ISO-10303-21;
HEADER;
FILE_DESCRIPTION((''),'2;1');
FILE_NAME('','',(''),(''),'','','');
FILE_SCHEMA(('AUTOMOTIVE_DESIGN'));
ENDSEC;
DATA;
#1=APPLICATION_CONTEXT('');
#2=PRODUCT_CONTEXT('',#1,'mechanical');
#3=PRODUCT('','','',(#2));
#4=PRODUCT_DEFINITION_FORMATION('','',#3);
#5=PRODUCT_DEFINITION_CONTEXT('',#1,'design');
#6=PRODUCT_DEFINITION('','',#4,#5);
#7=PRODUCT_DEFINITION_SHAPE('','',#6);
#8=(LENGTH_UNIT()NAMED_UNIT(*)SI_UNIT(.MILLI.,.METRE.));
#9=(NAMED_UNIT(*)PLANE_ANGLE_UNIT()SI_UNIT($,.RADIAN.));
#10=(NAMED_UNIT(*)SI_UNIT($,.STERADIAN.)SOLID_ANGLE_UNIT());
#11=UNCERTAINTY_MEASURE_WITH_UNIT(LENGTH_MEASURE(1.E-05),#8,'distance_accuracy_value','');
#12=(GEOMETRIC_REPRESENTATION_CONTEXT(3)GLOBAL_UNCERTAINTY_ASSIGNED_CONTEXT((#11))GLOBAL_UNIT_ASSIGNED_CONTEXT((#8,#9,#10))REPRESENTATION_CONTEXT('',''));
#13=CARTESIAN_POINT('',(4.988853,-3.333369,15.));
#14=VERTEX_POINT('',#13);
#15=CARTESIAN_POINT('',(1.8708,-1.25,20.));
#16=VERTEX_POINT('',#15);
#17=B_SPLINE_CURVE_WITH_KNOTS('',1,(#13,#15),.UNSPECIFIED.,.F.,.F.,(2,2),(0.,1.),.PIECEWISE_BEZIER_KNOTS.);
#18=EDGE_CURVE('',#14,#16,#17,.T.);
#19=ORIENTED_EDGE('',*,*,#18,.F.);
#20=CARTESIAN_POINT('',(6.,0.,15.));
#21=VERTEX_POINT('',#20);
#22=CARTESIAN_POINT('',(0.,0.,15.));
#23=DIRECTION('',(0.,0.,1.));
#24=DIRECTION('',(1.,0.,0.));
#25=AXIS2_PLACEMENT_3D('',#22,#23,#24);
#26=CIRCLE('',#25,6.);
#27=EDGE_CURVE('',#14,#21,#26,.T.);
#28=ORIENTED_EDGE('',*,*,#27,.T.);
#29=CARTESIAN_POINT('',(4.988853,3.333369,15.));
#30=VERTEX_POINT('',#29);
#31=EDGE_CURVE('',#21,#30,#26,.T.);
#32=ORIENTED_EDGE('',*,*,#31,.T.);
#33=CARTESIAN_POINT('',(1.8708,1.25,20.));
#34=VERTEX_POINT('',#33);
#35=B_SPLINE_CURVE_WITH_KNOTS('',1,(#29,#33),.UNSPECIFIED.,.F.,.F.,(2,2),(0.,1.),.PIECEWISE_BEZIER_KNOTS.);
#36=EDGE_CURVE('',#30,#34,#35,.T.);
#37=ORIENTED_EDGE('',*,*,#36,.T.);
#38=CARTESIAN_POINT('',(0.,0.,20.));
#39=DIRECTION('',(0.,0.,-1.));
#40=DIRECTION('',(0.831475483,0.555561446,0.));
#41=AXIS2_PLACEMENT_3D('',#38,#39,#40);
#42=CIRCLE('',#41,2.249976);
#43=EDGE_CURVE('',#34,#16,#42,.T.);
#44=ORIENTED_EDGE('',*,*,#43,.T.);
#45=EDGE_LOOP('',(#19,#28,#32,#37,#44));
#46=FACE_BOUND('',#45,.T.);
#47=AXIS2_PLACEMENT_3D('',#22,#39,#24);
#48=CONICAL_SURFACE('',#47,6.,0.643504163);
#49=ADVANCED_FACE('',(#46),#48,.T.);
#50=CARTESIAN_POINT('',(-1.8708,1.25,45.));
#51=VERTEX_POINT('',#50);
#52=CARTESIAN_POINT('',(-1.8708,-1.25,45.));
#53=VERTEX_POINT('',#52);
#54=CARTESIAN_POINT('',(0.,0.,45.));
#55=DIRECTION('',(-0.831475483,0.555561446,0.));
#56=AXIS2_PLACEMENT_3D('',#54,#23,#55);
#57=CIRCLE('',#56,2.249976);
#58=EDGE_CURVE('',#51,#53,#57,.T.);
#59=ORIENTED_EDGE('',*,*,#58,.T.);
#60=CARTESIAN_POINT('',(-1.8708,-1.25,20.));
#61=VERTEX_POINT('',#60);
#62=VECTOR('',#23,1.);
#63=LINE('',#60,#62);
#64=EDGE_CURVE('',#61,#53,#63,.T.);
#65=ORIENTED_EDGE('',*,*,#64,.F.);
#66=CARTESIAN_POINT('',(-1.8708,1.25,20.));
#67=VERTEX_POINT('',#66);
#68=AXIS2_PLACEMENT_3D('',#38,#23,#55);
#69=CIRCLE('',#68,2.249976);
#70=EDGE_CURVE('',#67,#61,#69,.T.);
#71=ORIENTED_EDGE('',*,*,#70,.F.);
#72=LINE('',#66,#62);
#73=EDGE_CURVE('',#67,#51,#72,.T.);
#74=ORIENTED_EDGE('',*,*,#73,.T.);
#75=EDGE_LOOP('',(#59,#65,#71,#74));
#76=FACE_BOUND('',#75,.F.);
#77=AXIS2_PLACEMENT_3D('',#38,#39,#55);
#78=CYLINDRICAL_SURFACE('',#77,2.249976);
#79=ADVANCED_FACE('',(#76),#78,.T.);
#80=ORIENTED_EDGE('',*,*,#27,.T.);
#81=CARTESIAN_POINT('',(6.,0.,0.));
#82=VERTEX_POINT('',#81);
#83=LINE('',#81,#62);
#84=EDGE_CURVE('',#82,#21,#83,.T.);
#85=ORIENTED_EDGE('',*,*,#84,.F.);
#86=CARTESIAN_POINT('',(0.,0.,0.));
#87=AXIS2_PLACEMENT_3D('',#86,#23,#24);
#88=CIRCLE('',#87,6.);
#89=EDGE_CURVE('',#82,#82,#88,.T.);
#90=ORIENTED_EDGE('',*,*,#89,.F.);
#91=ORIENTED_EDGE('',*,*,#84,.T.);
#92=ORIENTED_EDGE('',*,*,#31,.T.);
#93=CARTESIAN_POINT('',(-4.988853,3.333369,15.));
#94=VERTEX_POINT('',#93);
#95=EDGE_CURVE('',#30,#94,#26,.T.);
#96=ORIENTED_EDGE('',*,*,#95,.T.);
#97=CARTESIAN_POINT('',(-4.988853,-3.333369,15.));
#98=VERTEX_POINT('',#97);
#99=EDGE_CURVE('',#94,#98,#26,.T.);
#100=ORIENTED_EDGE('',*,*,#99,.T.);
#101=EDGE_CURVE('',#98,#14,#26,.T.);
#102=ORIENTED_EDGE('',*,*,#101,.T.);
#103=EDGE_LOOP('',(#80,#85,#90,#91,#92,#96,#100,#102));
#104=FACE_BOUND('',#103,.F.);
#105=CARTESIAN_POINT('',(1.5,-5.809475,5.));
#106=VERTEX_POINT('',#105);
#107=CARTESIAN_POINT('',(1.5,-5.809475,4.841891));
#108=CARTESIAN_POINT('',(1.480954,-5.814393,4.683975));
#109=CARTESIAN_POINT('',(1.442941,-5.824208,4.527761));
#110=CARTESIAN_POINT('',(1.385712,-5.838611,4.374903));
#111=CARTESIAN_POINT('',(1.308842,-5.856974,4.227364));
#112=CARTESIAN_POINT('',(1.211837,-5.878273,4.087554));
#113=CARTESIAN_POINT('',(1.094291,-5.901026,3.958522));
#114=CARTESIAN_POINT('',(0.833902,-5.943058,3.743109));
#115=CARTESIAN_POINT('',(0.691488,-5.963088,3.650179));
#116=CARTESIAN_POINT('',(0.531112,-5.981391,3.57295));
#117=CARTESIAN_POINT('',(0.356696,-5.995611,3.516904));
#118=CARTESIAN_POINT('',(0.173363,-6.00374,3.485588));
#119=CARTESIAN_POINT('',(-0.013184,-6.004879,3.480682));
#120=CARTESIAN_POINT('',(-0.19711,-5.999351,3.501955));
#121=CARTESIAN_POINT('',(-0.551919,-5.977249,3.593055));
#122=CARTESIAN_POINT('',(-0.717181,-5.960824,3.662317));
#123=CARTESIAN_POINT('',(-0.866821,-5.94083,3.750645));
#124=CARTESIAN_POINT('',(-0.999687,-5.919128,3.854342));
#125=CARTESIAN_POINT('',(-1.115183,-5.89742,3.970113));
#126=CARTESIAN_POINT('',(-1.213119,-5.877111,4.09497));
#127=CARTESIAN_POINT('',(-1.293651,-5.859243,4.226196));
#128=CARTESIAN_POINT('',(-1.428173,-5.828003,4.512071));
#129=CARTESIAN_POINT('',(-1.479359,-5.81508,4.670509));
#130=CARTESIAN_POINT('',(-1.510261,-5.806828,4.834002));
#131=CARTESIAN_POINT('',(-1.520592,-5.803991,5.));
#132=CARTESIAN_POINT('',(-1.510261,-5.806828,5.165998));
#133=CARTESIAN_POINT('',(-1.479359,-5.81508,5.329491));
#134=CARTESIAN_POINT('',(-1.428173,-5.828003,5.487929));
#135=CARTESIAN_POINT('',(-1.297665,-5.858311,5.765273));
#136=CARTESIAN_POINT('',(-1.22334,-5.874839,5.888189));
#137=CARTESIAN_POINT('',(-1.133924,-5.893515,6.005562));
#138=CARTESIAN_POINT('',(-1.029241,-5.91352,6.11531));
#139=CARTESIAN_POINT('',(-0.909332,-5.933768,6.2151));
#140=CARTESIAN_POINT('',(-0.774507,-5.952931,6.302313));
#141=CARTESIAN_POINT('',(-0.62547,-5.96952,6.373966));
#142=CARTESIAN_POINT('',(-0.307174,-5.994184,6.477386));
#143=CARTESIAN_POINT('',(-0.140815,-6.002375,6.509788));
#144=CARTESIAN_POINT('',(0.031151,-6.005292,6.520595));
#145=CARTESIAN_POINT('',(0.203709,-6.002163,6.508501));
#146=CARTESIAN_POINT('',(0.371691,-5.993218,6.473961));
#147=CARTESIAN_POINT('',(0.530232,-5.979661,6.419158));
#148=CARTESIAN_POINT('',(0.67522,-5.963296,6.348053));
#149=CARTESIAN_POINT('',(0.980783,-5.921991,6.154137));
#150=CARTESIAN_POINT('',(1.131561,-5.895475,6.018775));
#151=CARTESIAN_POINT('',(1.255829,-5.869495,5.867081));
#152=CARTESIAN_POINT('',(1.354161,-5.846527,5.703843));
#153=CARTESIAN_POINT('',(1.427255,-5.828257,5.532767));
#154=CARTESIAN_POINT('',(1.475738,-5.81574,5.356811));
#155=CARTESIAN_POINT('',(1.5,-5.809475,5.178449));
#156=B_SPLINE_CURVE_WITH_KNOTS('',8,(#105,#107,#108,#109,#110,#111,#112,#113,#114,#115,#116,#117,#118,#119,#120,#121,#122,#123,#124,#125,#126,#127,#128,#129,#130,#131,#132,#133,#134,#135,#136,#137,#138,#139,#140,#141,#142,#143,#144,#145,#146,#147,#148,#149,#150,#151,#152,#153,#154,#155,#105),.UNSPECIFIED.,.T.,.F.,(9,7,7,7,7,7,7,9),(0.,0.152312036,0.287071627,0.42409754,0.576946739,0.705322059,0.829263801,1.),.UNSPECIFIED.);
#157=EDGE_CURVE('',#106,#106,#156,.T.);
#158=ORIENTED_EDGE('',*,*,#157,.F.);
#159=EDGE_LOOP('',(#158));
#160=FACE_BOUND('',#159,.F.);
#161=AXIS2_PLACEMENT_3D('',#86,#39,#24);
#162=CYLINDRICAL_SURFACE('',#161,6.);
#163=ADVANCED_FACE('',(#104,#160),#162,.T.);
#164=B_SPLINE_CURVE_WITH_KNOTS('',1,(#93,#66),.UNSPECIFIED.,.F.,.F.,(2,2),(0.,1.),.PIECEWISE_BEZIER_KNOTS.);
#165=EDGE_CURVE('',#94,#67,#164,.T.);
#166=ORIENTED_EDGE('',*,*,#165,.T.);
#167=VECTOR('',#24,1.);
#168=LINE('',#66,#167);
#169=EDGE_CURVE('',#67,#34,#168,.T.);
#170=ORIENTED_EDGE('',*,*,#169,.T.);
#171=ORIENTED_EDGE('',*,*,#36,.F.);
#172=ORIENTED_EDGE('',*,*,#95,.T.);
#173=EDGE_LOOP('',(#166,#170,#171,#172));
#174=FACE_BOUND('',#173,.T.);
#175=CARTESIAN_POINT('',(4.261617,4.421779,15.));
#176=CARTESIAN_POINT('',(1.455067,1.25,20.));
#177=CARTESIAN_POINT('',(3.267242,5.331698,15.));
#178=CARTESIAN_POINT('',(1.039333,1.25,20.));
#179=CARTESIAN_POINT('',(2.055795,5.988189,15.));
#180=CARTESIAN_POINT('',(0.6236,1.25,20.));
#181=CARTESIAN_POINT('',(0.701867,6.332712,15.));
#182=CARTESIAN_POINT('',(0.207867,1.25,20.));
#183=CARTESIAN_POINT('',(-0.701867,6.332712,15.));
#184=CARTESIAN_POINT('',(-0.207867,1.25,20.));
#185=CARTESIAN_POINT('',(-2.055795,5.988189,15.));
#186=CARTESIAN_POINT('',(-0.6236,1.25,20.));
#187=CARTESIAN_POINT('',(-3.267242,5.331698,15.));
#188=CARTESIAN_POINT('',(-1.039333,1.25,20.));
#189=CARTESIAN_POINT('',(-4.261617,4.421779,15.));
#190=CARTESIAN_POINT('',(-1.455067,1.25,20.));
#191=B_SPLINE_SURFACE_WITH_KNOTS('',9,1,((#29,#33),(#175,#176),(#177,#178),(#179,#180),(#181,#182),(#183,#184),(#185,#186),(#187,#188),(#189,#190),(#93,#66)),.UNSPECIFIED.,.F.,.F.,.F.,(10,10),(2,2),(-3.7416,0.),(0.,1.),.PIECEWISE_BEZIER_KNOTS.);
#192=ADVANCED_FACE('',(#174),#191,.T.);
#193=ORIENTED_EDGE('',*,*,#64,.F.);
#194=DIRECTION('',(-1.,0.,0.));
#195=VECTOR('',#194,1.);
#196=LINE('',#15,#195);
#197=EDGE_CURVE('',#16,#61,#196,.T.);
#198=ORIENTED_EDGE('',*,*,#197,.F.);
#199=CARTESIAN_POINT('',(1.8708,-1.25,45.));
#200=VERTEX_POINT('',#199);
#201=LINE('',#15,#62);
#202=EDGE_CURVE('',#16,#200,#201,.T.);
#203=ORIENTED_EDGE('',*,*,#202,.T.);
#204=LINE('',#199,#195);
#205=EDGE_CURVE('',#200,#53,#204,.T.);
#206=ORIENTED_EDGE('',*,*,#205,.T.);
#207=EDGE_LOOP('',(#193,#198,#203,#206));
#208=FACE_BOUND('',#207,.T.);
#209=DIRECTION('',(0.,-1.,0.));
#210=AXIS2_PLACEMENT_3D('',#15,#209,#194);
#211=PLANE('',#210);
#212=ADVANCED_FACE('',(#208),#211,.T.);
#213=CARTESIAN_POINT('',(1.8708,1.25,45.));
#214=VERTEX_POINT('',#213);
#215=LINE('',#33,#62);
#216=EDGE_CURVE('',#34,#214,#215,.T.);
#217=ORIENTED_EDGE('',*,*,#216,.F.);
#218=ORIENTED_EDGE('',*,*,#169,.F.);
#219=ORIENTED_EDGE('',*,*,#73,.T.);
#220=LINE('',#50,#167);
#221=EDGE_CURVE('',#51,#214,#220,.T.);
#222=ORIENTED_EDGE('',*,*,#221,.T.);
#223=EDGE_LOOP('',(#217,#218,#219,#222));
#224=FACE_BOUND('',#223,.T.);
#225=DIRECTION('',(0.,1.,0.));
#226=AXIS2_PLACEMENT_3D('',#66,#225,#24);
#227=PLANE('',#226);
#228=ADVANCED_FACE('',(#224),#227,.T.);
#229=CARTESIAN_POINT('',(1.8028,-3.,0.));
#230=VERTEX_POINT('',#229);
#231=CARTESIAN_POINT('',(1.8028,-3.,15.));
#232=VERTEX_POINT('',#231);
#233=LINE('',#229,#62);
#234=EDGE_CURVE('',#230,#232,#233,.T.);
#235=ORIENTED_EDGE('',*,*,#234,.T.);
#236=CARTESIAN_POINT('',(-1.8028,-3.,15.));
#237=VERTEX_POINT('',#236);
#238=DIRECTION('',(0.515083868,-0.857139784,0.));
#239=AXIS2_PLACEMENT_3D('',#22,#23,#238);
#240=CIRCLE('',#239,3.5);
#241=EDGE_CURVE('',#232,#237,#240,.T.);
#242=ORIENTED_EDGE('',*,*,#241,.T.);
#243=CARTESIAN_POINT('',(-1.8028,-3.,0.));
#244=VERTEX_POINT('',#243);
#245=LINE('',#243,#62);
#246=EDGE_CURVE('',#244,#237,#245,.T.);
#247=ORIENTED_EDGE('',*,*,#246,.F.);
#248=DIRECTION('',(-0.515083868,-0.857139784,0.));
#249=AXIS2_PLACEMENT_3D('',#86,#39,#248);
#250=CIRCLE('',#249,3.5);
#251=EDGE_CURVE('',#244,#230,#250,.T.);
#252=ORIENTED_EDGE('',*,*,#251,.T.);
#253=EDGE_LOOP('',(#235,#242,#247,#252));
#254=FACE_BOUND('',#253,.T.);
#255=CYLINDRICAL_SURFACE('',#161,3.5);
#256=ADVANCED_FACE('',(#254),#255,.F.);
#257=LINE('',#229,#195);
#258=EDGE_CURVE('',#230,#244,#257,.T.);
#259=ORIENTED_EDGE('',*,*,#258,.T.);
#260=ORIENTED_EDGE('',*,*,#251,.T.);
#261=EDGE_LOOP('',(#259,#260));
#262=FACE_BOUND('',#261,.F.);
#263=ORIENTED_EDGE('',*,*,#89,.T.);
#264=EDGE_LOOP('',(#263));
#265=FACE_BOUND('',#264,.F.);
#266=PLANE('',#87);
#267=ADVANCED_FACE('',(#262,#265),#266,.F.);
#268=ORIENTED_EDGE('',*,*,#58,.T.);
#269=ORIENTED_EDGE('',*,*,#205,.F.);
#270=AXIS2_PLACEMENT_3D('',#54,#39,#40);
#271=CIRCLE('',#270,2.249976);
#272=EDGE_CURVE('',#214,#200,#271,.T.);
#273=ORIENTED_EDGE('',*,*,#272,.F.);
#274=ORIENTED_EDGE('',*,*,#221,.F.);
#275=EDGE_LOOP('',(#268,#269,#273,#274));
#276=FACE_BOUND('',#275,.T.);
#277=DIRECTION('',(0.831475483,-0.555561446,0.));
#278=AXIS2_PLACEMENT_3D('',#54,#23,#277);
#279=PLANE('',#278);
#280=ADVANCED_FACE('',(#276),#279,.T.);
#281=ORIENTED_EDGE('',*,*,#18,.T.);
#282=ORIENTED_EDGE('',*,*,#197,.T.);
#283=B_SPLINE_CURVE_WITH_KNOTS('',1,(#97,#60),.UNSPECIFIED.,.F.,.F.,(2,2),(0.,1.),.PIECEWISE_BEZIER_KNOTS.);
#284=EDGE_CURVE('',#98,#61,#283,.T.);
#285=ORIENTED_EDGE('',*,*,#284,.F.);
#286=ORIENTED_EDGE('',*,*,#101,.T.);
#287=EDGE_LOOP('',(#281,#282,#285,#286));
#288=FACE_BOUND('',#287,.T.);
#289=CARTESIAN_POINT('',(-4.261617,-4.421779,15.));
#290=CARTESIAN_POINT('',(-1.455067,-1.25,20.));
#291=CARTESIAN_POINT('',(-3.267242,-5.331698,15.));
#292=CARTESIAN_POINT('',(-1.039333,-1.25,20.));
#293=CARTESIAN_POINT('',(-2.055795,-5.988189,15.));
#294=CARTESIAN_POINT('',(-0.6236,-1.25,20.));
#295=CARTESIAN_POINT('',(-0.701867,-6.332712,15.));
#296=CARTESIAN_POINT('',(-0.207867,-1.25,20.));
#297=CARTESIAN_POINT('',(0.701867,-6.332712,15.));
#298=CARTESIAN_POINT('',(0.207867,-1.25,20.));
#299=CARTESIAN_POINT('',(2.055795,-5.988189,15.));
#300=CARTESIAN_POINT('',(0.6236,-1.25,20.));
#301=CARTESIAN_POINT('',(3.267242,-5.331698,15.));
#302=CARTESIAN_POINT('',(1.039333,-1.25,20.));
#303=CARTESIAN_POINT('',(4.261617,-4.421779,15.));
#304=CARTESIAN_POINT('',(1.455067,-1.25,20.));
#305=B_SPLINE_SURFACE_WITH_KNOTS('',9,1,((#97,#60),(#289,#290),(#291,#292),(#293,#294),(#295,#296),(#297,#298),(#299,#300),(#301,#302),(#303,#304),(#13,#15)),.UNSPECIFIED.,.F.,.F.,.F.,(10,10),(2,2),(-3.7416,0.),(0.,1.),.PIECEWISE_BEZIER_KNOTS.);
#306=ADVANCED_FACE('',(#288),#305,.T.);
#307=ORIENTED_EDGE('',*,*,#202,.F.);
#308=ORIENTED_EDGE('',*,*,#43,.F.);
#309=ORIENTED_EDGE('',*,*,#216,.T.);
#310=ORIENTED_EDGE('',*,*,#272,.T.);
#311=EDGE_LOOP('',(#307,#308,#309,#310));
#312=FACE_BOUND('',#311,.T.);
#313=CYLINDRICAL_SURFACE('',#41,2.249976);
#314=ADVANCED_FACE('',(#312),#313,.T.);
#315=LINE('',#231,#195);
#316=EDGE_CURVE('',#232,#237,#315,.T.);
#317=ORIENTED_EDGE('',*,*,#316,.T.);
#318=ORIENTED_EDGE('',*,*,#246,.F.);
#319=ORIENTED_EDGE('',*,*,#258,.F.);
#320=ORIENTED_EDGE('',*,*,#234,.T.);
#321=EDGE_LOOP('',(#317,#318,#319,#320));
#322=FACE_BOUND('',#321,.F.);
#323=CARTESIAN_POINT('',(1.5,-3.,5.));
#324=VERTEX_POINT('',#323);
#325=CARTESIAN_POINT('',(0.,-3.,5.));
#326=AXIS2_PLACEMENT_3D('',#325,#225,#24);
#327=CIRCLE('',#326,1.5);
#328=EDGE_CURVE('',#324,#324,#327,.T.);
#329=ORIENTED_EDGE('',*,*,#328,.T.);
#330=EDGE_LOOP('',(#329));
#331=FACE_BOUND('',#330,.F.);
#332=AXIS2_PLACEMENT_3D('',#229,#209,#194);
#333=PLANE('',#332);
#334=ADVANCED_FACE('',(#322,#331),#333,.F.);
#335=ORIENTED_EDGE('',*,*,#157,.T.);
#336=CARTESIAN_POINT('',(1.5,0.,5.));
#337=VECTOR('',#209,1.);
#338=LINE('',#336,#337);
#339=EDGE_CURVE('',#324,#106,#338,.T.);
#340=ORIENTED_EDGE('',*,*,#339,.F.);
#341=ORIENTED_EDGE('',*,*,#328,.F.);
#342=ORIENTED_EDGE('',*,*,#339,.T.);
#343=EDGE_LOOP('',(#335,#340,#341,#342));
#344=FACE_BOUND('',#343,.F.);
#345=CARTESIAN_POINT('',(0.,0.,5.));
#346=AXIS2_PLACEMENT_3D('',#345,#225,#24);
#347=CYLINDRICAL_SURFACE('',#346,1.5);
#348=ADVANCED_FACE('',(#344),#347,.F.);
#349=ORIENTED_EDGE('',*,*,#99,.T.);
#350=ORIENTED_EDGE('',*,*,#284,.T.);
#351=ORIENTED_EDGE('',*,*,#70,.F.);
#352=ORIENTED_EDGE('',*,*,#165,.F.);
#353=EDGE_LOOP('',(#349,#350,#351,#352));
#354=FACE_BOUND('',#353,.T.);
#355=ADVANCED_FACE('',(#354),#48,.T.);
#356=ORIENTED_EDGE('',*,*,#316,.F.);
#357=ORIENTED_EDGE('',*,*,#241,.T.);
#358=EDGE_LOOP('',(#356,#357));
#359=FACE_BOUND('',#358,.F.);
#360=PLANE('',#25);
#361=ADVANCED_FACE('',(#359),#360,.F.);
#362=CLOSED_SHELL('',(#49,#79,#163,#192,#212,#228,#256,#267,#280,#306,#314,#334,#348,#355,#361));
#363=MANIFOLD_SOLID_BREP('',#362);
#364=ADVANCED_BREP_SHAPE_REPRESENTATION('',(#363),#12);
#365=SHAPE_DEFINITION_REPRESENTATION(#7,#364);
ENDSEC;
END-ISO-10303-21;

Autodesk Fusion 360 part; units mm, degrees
sketch "Esquisse1" plane through (0, 0, 0) normal (0, 0, 1) x (1, 0, 0)
  circle A0 centre (0, 0) radius 3.5
  circle A1 centre (0, 0) radius 6
  line L0 (1.8028, -3) -> (-1.8028, -3)
  line L1 (-1.8028, -3) -> (-1.8028, -3.5)
  line L2 (-1.8028, -3.5) -> (1.8028, -3.5)
  line L3 (1.8028, -3.5) -> (1.8028, -3)
  dimension "d1" = 7
  dimension "d2" = 12
  dimension "d17" = 0.5
extrude "Extrusion1" add sketch "Esquisse1" along normal blind 15 contours A0 L0 | A0 L1 L2 | A0 L2 L3 | A1 picked at (0.4606, -3.0719)
ref_plane "Plan de construction1" through (0, 0, 20) normal (0, 0, 1) x (1, 0, 0)
sketch "Esquisse2" plane through (0, 0, 20) normal (0, 0, 1) x (1, 0, 0)
  line L0 (-1.8708, 1.25) -> (1.8708, 1.25)
  line L1 (1.8708, -1.25) -> (-1.8708, -1.25)
  arc A0 (-1.8708, 1.25) -> (-1.8708, -1.25) centre (0, 0) ccw
  arc A1 (1.8708, -1.25) -> (1.8708, 1.25) centre (0, 0) ccw
  dimension "d6" = 4.5
  dimension "d16" = 2.5
sketch "Esquisse3" plane through (0, 0, 15) normal (0, 0, 1) x (1, 0, 0)
  circle A0 centre (0, 0) radius 6
  circle A1 centre (0, 0) radius 6
  arc A2 (1.8028, -3) -> (-1.8028, -3) centre (0, 0) ccw
  line L0 (1.8028, -3) -> (-1.8028, -3)
  dimension "d13" = 12
loft "Lissage1" add profiles "Esquisse3", "Esquisse2" section 1 contours A0 A1 | A2 L0 section 2
extrude "Extrusion2" add 1 faces at (0.6236, -0.4167, 20) along direction (0, 0, 1) blind 25
sketch "Esquisse4" plane through (0, 0, 0) normal (0, 1, 0) x (1, 0, 0)
  circle A0 centre (0, -5) radius 1.5
  line L0 (0, 0) -> (0, -15) construction
  line L1 (-4.9889, -15) -> (4.9889, -15)
  dimension "d11" = 3
  dimension "d12" = 5
extrude "Extrusion3" cut sketch "Esquisse4" against normal blind 10
equation "d9 = 5 mm + 3 mm + 5 mm + 5 mm + 7 mm"
